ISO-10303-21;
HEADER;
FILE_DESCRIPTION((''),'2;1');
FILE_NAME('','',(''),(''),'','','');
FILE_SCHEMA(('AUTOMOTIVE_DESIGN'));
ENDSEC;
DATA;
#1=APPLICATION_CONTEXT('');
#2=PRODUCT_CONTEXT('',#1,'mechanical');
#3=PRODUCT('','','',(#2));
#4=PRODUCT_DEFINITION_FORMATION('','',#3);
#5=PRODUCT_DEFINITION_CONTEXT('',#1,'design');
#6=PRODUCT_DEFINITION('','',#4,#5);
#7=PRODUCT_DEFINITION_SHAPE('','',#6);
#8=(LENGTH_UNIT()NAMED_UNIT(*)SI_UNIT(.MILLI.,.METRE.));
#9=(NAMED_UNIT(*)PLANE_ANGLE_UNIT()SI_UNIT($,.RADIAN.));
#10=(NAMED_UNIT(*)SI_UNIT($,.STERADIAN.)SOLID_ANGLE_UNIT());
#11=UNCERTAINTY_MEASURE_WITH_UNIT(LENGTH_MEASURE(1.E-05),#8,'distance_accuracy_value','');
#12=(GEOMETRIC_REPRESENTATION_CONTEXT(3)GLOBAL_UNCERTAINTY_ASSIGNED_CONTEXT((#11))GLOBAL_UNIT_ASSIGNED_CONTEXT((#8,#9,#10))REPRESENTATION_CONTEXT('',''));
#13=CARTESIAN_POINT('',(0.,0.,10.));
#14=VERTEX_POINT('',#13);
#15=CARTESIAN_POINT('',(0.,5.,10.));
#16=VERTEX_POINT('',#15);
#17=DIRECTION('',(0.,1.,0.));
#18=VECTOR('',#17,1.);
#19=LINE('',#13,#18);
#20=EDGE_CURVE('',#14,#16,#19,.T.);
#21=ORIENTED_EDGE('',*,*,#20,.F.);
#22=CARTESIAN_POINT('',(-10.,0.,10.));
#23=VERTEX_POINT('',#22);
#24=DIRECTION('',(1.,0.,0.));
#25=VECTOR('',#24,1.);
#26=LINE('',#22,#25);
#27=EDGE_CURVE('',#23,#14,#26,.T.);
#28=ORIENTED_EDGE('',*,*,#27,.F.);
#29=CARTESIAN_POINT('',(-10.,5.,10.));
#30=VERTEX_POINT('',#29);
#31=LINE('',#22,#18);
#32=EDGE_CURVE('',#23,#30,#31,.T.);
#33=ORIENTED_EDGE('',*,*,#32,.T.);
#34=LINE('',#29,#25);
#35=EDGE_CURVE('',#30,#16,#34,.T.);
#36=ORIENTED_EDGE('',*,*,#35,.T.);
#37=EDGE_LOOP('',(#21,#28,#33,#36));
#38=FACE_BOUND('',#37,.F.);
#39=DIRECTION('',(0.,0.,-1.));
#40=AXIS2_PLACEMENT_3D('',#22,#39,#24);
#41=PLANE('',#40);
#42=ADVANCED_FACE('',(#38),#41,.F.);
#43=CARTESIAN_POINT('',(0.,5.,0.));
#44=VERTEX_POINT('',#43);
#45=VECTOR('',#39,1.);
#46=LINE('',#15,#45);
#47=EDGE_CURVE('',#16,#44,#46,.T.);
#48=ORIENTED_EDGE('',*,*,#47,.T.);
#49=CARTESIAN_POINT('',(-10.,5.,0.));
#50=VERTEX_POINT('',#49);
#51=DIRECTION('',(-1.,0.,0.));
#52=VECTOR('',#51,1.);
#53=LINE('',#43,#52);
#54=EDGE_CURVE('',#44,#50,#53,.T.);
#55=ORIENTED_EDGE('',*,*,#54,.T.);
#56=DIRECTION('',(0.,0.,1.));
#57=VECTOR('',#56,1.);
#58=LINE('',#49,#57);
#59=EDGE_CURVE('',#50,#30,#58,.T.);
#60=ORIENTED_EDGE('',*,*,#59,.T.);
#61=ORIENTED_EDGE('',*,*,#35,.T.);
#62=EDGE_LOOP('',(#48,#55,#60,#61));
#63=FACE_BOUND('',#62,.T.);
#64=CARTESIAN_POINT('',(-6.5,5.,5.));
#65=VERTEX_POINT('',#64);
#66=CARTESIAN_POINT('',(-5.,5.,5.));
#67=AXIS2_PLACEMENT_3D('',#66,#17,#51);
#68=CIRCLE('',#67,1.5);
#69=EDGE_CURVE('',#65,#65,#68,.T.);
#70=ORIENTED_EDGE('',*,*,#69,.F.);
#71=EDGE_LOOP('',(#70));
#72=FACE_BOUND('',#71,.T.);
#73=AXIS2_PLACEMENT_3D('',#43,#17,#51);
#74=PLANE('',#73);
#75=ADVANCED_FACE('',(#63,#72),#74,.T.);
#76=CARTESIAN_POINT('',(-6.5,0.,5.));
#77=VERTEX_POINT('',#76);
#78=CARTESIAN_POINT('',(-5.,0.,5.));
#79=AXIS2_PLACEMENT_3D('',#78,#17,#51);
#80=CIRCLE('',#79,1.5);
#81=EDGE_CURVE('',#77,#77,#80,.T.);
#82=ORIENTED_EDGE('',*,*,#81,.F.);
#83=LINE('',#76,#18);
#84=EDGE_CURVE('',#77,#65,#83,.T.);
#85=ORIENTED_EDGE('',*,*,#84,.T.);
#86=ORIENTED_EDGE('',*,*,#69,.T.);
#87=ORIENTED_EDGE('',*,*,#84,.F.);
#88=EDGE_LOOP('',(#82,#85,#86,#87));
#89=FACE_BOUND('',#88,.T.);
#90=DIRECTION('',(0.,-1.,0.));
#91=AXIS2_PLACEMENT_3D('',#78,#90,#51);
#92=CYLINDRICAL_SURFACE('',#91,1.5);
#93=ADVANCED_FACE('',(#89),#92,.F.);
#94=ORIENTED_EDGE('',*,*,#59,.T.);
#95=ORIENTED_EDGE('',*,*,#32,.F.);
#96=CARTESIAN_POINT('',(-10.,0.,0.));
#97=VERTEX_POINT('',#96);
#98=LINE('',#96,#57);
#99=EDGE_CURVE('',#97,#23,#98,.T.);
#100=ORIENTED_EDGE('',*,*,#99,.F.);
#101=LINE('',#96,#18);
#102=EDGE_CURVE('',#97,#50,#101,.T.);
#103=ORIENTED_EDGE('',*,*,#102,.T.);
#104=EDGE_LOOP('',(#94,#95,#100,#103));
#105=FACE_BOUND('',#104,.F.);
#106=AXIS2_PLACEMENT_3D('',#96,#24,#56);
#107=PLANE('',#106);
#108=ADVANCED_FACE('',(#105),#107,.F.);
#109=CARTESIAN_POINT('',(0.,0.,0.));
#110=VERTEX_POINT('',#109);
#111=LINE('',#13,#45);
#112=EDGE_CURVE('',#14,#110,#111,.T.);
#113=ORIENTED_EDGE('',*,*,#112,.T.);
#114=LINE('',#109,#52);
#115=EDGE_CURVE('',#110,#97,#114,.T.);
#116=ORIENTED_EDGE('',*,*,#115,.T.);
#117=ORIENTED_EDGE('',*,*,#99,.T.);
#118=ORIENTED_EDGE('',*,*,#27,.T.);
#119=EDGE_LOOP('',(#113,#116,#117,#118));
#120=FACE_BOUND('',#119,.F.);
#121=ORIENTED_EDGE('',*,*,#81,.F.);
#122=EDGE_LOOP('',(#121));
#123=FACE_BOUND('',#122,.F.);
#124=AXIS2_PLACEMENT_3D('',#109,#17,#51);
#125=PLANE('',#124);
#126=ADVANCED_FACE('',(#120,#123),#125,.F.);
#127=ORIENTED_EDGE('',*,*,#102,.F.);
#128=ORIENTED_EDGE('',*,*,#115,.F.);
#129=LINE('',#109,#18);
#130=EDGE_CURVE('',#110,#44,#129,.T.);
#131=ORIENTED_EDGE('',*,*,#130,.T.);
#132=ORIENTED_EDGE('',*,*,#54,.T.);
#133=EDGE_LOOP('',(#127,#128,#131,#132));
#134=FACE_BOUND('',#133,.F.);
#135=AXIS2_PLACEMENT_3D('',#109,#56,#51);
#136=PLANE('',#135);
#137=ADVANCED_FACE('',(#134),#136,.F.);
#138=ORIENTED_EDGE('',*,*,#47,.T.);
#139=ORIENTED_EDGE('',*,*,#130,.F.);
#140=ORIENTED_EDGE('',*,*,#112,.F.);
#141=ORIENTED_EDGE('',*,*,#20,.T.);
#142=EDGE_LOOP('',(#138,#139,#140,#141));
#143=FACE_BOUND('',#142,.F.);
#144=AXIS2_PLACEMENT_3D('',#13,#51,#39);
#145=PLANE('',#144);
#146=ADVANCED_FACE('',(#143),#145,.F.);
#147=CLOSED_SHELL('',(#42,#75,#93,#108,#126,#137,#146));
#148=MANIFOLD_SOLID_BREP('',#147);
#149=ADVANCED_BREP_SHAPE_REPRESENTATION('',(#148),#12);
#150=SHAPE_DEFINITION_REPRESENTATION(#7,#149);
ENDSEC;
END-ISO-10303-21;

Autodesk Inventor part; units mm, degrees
ref_plane "YZ Plane" through (0, 0, 0) normal (1, 0, 0) x (0, 1, 0)
ref_plane "XZ Plane" through (0, 0, 0) normal (0, 1, 0) x (-1, 0, 0)
ref_plane "XY Plane" through (0, 0, 0) normal (0, 0, 1) x (1, 0, 0)
sketch "Sketch1" plane through (0, 0, 0) normal (0, 1, 0) x (-1, 0, 0)
  line L0 (0, 0) -> (10, 0)
  line L1 (10, 0) -> (10, 10)
  line L2 (10, 10) -> (0, 10)
  line L3 (0, 10) -> (0, 0)
  circle A0 centre (5, 5) radius 1.5
  point P0 (10, 5)
  point P1 (5, 10)
  dimension "d0" = 10
  dimension "d1" = 10
  dimension "d4" = 3
extrude "Extrusion1" add sketch "Sketch1" along normal blind 5
properties part number "spacer"
